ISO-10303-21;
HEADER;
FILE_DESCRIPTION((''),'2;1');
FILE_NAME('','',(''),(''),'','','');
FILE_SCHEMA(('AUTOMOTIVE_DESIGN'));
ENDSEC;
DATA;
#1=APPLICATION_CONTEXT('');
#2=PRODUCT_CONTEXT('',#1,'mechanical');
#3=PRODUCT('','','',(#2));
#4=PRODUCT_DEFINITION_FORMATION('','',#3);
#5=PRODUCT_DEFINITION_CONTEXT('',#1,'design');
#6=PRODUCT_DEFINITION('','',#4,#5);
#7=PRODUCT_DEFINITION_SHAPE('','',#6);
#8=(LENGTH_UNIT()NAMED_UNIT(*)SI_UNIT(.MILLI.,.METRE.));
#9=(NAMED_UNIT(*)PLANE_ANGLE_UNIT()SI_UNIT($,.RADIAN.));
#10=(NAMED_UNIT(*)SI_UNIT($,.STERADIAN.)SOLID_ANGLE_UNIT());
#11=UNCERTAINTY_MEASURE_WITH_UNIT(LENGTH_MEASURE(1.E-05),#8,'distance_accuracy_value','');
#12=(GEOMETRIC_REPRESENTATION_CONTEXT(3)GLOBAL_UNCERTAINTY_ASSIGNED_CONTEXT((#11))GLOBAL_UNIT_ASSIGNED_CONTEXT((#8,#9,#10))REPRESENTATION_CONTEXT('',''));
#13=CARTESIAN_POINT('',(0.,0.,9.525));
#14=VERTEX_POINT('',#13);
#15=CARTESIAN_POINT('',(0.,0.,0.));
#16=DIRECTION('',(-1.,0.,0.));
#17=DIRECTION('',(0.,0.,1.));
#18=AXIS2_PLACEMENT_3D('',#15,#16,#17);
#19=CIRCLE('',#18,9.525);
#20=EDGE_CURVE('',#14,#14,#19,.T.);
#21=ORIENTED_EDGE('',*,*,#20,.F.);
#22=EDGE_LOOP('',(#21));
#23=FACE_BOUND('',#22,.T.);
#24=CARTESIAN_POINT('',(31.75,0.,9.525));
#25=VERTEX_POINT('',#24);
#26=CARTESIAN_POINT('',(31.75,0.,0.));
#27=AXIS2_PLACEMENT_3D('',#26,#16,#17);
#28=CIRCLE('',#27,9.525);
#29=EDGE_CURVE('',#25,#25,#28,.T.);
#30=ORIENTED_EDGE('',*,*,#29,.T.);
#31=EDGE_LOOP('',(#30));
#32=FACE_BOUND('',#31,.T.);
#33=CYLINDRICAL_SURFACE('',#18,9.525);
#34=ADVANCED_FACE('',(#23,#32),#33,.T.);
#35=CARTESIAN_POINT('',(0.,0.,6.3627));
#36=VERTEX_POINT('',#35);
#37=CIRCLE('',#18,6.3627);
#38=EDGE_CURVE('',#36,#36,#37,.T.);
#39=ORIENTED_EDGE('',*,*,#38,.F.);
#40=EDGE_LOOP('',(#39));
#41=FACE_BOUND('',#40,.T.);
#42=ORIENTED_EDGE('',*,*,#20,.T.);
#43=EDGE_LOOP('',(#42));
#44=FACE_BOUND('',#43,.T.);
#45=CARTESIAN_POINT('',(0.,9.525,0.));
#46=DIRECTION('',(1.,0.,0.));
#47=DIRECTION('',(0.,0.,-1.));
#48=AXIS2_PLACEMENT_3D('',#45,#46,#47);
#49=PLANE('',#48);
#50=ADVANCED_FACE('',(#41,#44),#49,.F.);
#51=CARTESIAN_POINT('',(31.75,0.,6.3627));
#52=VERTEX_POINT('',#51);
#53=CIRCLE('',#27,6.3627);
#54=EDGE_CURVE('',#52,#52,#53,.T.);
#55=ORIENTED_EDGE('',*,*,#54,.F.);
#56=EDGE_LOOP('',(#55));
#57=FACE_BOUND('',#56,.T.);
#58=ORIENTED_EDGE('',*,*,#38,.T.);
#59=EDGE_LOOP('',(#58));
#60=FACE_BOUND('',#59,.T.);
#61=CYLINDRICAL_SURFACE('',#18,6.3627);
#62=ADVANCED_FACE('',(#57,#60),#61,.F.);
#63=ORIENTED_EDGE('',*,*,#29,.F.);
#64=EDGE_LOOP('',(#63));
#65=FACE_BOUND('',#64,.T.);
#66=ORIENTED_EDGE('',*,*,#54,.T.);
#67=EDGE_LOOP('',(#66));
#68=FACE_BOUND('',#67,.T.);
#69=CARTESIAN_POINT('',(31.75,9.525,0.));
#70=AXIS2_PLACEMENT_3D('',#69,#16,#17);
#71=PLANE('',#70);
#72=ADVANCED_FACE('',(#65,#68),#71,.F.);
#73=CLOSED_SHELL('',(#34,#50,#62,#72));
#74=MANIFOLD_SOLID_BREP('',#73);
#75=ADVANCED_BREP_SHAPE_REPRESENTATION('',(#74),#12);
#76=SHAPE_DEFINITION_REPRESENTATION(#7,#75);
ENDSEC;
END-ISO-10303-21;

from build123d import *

# Parameters (mm, degrees)
SKETCH1_W = 31.75
SKETCH1_H = 3.1623


with BuildPart() as part:
    # Sketch1 → Revolve1 (revolve)
    with BuildSketch(Plane.XY):
        with Locations((15.875, 7.94385)):
            Rectangle(SKETCH1_W, SKETCH1_H)
    revolve(axis=Axis((0, 0, 0), (1, 0, 0)))


solid = part.part
